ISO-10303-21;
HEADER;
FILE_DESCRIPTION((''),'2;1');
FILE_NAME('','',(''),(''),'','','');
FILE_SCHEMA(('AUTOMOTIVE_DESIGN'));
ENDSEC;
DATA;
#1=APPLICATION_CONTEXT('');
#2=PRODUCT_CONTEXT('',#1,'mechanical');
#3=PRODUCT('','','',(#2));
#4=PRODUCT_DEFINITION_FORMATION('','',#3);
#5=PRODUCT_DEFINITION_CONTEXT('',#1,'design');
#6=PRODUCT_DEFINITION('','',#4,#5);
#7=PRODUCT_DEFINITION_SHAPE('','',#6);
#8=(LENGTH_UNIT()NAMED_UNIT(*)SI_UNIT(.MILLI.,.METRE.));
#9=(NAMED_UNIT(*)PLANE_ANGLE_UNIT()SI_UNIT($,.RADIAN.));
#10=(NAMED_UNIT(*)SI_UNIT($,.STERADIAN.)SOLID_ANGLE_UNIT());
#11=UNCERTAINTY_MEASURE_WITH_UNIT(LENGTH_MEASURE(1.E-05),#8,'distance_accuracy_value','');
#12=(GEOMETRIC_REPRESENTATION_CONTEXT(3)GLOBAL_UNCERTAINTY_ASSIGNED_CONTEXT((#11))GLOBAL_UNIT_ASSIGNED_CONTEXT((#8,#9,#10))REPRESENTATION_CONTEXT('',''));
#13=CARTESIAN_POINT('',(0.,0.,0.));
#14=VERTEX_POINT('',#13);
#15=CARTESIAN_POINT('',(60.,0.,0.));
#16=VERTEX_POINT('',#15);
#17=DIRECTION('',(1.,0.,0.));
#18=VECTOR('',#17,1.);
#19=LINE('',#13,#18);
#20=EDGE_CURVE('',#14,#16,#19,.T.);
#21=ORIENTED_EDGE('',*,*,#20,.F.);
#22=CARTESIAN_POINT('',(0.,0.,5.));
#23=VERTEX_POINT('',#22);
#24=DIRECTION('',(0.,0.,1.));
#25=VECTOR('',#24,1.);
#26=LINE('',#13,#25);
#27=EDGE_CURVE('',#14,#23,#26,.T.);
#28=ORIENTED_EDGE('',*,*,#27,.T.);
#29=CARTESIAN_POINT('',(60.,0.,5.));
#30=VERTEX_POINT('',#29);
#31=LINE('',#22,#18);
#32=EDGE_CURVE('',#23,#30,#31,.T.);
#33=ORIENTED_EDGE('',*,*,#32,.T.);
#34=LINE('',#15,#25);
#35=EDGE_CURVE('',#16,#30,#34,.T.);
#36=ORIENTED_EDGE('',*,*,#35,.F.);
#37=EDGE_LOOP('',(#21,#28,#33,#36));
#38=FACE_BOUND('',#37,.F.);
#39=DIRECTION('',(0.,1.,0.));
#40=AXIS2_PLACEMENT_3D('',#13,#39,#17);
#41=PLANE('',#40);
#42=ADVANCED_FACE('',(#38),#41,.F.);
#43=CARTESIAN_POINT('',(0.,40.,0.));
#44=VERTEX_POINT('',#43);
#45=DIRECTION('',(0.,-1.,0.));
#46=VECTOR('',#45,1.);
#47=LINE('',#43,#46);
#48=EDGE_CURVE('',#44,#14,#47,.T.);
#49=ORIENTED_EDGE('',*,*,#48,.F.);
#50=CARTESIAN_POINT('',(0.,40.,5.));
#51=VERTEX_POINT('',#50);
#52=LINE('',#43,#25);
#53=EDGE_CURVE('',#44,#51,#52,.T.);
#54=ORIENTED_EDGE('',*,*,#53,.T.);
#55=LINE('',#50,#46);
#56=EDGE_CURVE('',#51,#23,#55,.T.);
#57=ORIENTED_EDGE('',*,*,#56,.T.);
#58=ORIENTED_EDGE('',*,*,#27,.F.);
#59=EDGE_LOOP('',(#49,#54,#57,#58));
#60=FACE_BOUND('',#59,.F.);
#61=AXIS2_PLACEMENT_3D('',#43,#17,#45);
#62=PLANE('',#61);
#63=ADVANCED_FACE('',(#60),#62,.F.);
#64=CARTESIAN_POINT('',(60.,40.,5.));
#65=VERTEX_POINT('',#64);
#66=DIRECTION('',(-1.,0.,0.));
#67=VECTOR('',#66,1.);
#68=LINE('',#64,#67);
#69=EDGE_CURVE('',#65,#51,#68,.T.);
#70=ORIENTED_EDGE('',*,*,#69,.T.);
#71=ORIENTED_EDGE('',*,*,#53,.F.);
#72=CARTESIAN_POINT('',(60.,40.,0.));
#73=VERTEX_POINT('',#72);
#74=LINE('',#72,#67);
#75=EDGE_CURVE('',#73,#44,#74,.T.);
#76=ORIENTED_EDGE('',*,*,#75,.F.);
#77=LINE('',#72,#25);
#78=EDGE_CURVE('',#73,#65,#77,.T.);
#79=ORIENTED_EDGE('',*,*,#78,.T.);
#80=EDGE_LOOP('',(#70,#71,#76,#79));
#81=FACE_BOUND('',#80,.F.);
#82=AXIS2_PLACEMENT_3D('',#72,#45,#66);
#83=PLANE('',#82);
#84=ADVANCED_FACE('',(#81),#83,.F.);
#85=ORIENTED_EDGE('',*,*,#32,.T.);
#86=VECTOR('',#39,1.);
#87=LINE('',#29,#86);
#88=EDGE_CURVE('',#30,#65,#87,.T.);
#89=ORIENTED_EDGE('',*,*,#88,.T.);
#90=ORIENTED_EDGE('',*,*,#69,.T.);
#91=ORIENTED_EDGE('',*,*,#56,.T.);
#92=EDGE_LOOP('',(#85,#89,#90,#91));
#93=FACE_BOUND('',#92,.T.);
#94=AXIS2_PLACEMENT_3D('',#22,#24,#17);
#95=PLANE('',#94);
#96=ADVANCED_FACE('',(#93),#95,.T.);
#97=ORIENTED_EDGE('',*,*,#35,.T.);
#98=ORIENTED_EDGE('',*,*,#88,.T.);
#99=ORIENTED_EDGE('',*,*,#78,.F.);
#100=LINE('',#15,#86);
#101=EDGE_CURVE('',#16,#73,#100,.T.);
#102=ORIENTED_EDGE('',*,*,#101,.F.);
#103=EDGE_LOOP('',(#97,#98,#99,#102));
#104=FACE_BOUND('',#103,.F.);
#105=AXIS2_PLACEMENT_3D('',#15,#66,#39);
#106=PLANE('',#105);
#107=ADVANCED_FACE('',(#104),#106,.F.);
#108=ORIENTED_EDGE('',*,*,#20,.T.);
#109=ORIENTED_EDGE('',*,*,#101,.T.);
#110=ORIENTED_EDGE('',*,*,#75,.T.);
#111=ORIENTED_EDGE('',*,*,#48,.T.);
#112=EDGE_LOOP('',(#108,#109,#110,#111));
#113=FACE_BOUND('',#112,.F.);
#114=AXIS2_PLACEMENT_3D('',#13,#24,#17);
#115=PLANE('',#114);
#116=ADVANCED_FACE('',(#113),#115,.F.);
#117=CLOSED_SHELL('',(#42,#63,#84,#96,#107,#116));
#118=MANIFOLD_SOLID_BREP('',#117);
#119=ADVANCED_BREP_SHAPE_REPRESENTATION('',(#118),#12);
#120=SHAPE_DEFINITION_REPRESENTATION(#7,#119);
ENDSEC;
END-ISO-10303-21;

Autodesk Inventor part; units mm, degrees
ref_plane "YZ Plane" through (0, 0, 0) normal (1, 0, 0) x (0, 1, 0)
ref_plane "XZ Plane" through (0, 0, 0) normal (0, 1, 0) x (-1, 0, 0)
ref_plane "XY Plane" through (0, 0, 0) normal (0, 0, 1) x (1, 0, 0)
sketch "Sketch1" plane through (0, 0, 0) normal (0, 0, 1) x (1, 0, 0)
  line L0 (0, 0) -> (60, 0)
  line L1 (60, 0) -> (60, 40)
  line L2 (60, 40) -> (0, 40)
  line L3 (0, 40) -> (0, 0)
  dimension "d0" = 60
  dimension "d1" = 40
extrude "Extrusion1" add sketch "Sketch1" along normal blind 5
properties part number "cene_yüzeyi"
